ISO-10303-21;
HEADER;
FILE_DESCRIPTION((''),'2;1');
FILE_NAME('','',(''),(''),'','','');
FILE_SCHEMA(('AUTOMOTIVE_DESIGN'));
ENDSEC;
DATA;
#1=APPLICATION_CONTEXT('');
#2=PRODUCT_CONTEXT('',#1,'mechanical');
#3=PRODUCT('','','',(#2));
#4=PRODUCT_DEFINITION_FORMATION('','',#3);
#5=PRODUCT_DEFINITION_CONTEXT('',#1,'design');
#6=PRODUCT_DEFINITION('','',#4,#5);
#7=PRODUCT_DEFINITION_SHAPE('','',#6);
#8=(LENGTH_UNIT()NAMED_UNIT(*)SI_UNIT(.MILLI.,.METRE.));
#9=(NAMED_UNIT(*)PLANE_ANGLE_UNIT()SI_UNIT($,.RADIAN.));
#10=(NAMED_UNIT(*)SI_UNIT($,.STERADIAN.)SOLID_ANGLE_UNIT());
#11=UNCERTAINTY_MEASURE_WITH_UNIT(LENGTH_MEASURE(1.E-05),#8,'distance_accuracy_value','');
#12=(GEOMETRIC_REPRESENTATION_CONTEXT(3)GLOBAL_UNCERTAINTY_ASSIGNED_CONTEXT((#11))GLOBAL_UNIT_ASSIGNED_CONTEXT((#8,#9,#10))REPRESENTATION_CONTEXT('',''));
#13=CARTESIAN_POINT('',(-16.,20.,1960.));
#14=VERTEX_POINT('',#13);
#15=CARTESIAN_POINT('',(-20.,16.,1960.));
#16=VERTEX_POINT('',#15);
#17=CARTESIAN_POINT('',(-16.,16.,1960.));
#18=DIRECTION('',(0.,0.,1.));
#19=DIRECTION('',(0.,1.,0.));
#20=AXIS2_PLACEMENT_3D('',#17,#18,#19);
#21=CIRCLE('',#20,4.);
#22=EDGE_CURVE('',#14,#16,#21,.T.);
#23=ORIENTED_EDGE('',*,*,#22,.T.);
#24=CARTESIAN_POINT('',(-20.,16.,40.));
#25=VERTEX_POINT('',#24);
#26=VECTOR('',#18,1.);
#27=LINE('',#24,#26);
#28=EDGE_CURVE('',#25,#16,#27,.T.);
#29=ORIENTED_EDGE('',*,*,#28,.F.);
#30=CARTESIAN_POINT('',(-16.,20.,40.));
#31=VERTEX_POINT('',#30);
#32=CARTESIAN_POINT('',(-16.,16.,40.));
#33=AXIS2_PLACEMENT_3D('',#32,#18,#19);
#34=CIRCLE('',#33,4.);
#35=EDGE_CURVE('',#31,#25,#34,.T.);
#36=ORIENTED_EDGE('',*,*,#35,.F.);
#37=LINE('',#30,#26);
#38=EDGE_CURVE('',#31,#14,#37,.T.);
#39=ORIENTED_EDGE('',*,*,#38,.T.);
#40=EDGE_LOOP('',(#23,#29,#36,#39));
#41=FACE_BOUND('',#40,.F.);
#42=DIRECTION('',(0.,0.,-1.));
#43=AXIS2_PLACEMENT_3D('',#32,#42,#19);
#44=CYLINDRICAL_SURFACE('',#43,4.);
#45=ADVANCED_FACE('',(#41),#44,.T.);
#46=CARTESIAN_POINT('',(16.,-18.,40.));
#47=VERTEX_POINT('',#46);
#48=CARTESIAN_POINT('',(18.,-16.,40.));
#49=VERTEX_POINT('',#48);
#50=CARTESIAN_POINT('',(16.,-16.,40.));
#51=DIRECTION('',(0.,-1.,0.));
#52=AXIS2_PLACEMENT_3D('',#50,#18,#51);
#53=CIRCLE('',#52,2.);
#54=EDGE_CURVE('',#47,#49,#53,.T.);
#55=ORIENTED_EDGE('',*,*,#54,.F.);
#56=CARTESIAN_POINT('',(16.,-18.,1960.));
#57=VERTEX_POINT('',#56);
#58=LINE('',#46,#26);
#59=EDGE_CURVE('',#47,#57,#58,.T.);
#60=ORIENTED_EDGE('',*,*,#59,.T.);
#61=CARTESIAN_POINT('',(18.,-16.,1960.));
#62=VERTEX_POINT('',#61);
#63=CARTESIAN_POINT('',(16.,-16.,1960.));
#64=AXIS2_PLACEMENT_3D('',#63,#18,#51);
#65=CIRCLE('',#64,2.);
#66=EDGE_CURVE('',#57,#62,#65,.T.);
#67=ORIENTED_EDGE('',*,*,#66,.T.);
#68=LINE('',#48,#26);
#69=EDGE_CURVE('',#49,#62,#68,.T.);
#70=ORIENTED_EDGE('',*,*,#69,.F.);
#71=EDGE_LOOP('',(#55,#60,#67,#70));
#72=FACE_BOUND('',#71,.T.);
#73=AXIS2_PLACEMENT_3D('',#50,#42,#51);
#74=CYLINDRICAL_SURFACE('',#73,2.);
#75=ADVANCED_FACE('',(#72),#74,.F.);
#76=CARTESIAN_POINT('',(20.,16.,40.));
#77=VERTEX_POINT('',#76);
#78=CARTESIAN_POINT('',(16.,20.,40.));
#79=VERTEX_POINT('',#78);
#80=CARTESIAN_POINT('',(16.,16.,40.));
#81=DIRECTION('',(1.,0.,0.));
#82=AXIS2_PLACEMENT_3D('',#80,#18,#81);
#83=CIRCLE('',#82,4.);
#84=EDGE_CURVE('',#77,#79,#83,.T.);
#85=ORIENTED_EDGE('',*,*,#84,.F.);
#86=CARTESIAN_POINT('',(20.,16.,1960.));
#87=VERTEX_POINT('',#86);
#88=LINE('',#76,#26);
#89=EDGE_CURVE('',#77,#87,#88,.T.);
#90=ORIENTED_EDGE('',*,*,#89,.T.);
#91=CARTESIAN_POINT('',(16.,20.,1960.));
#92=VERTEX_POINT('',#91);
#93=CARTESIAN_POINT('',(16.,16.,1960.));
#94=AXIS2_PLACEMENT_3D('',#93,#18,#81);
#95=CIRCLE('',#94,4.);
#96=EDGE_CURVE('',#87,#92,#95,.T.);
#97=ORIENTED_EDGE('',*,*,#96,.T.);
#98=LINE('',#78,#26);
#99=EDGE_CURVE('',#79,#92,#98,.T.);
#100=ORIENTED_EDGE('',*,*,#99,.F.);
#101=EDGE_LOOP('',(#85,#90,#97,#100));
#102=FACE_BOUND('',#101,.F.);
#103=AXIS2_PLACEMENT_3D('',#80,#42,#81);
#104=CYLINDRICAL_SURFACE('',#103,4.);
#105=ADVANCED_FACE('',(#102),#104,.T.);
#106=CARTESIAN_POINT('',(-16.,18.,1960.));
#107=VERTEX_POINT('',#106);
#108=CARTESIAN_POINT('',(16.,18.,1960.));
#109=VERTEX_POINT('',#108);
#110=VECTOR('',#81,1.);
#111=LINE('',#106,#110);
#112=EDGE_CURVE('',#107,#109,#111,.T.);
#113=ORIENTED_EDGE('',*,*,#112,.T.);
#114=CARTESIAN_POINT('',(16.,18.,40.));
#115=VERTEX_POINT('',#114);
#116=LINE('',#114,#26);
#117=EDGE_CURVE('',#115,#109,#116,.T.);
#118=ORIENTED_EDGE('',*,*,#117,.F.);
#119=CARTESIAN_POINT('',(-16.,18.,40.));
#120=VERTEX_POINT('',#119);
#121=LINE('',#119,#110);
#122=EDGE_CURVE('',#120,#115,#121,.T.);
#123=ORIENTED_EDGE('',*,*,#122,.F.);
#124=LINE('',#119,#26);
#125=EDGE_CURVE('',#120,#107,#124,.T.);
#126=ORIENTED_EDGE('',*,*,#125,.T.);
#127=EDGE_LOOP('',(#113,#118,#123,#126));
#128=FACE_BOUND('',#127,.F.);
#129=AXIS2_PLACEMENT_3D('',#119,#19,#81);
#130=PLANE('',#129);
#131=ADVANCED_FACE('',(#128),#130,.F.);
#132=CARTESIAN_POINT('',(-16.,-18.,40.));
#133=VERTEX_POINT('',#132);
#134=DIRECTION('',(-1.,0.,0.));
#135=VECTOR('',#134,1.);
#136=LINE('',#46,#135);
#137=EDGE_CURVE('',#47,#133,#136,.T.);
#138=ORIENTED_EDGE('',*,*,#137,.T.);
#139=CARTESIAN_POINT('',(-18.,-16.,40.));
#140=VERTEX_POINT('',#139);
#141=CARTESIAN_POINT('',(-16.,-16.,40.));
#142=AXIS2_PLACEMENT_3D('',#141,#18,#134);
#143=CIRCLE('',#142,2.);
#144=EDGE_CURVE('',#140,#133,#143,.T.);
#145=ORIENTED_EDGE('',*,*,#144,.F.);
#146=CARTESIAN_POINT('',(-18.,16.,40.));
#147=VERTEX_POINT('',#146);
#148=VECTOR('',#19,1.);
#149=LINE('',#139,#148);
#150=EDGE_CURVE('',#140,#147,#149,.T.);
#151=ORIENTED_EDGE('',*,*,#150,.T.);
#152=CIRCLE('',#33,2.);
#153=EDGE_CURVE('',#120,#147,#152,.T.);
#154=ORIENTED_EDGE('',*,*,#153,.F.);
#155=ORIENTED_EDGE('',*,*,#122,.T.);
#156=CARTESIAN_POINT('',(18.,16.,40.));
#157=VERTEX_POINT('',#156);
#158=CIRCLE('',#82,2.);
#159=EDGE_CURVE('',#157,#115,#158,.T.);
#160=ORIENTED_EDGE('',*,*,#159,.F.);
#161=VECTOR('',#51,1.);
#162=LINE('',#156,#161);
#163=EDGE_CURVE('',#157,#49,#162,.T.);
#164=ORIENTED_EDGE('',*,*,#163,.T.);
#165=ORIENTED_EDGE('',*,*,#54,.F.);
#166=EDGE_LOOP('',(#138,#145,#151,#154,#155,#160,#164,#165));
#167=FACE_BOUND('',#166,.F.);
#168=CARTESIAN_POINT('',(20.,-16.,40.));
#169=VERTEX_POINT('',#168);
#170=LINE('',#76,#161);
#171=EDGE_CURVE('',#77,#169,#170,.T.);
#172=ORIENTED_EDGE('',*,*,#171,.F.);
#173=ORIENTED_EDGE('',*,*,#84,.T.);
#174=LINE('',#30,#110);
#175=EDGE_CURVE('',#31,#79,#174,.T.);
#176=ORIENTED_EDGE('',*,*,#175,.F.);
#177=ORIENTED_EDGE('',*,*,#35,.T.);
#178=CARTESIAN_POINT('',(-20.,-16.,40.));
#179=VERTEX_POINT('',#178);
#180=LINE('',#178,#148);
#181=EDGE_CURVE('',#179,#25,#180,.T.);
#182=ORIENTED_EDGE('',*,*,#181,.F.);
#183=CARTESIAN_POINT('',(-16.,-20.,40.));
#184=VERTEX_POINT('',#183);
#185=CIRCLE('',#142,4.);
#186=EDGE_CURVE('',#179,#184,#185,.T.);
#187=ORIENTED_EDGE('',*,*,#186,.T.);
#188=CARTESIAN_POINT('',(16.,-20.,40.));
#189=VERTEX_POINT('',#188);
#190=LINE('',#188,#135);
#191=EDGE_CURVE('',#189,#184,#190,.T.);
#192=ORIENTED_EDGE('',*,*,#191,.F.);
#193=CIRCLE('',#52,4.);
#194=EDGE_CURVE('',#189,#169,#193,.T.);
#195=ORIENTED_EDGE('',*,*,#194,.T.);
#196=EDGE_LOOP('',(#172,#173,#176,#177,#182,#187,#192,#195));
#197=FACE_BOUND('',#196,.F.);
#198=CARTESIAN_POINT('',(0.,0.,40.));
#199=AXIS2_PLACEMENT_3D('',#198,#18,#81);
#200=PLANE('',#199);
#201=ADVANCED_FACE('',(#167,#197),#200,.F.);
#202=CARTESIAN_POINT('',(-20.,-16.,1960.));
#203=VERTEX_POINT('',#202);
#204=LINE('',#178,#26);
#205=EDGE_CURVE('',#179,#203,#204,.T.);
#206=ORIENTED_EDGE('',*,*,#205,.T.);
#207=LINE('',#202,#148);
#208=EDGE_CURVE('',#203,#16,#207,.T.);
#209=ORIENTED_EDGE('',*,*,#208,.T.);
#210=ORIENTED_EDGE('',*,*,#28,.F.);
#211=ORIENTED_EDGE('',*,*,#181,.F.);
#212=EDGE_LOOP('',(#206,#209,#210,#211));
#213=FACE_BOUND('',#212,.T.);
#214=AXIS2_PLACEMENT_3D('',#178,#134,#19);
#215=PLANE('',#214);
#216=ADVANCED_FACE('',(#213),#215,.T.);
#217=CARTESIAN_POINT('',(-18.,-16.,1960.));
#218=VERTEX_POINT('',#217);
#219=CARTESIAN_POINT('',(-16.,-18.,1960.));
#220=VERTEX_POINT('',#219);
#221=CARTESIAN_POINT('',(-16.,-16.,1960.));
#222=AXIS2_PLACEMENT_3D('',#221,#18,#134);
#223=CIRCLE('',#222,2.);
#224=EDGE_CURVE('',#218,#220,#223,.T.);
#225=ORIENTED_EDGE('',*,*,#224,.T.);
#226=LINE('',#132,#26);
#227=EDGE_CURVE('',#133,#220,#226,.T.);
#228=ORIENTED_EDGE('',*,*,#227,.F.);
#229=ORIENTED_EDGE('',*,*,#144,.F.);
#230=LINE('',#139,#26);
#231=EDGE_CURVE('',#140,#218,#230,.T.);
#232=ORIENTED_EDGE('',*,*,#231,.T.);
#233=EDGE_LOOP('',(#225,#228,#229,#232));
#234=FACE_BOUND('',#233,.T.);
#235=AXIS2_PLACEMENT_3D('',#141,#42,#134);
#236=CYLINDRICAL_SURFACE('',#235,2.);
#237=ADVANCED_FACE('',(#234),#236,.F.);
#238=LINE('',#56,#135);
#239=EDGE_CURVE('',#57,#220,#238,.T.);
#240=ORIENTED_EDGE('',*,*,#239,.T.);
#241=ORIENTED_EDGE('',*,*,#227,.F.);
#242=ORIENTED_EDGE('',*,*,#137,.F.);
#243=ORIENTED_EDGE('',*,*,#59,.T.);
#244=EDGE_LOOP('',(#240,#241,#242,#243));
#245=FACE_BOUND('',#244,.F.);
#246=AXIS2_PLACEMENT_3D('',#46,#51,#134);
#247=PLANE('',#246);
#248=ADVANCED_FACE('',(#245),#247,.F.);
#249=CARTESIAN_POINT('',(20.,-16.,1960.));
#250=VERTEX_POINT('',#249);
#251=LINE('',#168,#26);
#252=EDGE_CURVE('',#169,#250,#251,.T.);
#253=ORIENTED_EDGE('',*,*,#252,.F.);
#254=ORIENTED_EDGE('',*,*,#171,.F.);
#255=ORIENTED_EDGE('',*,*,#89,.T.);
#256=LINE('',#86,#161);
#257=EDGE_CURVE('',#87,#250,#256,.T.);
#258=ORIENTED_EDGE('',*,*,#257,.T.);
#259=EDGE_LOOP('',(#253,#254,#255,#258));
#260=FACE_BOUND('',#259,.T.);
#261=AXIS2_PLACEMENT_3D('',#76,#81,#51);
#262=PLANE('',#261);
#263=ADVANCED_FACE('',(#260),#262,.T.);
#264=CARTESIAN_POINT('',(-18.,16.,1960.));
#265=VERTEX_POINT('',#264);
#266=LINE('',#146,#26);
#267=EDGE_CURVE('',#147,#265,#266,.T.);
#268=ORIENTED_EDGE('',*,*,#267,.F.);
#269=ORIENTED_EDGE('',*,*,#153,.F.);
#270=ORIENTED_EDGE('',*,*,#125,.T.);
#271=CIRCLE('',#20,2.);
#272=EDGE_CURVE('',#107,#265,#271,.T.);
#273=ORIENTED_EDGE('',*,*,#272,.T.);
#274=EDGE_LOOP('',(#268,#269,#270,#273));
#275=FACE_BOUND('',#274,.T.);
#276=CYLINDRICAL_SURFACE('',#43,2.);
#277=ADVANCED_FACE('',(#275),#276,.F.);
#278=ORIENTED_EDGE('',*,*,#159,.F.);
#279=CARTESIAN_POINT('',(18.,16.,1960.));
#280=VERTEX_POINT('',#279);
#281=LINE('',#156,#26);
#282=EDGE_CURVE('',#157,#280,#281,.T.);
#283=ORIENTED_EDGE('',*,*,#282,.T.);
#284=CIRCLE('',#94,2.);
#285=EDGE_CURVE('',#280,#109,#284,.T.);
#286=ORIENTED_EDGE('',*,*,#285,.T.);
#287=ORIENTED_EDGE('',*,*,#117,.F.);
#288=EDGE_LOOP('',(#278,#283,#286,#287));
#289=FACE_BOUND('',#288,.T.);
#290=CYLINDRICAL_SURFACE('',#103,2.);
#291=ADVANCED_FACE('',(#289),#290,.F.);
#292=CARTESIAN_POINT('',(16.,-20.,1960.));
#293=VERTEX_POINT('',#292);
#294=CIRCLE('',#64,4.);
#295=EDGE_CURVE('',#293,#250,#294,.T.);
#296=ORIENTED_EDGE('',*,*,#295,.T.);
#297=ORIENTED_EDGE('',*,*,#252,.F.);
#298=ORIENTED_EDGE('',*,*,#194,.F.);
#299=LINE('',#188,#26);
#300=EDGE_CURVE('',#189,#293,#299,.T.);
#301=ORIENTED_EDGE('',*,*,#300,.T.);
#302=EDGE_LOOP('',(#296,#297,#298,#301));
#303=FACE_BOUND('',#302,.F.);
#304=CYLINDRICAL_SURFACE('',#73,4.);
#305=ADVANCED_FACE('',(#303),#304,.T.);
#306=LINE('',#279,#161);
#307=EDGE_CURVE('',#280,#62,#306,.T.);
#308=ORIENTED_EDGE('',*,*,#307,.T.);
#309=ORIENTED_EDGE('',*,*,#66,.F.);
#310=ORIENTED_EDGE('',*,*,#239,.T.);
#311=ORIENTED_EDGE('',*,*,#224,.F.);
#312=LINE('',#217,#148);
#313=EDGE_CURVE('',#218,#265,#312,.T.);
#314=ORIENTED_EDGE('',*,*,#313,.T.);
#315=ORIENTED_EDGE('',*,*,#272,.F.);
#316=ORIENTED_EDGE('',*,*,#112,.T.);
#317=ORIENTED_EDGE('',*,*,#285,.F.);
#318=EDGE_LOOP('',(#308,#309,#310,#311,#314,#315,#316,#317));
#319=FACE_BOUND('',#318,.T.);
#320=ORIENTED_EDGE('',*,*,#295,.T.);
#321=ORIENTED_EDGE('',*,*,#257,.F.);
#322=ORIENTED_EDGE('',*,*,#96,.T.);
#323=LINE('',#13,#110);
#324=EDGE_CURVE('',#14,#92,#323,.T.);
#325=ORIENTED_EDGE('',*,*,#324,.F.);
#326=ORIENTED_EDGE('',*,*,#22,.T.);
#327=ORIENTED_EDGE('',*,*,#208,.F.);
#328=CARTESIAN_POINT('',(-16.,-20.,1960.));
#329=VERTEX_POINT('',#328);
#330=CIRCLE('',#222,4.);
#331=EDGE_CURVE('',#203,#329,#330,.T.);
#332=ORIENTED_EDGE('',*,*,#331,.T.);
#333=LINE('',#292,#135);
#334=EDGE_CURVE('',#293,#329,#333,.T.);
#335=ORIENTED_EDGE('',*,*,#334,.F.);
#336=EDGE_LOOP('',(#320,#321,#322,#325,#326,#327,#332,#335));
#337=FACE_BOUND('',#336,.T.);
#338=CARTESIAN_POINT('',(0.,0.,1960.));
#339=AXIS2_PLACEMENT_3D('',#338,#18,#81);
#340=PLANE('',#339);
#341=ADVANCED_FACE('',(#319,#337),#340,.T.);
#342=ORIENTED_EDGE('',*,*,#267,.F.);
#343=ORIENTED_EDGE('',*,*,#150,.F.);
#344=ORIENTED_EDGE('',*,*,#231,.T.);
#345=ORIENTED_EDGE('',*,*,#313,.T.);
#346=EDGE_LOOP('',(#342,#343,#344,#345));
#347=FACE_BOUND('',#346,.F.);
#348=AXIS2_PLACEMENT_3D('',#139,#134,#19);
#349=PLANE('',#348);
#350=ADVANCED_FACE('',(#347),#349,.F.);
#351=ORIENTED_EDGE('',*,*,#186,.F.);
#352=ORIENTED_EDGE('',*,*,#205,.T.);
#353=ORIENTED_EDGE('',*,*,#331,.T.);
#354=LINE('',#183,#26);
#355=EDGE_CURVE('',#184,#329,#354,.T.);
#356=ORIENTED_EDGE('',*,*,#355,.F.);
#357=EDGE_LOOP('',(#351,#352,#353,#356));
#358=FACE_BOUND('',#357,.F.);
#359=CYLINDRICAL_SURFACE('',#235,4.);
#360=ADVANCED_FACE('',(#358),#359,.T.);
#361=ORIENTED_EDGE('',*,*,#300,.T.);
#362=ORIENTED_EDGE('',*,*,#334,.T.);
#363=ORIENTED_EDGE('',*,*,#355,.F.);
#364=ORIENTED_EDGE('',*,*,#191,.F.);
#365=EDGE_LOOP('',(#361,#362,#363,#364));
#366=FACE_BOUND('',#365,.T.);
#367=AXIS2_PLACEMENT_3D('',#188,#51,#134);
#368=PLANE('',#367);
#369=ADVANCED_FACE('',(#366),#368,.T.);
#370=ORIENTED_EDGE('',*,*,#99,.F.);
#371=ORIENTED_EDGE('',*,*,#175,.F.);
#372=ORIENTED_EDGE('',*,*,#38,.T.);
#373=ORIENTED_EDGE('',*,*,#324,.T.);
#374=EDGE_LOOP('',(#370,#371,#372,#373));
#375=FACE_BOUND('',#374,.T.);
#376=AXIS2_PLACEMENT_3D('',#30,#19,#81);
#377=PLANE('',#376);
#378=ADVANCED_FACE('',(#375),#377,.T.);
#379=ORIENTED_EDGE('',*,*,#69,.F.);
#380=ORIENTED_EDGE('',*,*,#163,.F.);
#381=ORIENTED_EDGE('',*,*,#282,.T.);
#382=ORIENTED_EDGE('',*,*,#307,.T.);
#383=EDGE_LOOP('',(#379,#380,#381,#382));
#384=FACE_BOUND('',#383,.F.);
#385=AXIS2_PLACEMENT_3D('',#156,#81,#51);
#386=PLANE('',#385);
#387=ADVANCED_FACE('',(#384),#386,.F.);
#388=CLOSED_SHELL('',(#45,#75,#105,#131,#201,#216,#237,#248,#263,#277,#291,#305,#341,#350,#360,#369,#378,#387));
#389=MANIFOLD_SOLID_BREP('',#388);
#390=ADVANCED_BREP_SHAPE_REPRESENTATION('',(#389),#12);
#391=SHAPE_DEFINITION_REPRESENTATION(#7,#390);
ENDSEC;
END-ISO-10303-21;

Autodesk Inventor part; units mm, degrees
ref_plane "YZ Plane" through (0, 0, 0) normal (1, 0, 0) x (0, 1, 0)
ref_plane "Start Plane" through (0, 0, 40) normal (0, 0, 1) x (1, 0, 0)
ref_plane "End Plane" through (0, 0, 1960) normal (0, 0, 1) x (1, 0, 0)
sketch "Sketch" plane through (0, 0, 0) normal (0, 0, 1) x (1, 0, 0)
  line L0 (-20, -16) -> (-20, 16)
  line L1 (-16, 20) -> (16, 20)
  line L2 (20, 16) -> (20, -16)
  line L3 (16, -20) -> (-16, -20)
  arc A0 (-20, -16) -> (-16, -20) centre (-16, -16) ccw
  arc A1 (20, 16) -> (16, 20) centre (16, 16) ccw
  arc A2 (-16, 20) -> (-20, 16) centre (-16, 16) ccw
  arc A3 (16, -20) -> (20, -16) centre (16, -16) ccw
  arc A4 (-16, 18) -> (-18, 16) centre (-16, 16) ccw
  line L4 (-16, 18) -> (16, 18)
  arc A5 (18, 16) -> (16, 18) centre (16, 16) ccw
  line L5 (18, 16) -> (18, -16)
  arc A6 (16, -18) -> (18, -16) centre (16, -16) ccw
  line L6 (16, -18) -> (-16, -18)
  arc A7 (-18, -16) -> (-16, -18) centre (-16, -16) ccw
  line L7 (-18, -16) -> (-18, 16)
  line L8 (0, 29.1598) -> (0, -29.1598) construction
  line L9 (-29.1598, 0) -> (29.1598, 0) construction
  dimension "d7" = 4
  dimension "d9" = 40
  dimension "d11" = 40
  dimension "d12" = 2
  dimension "d15" = 20
  dimension "d16" = 20
extrude "Body" add sketch "Sketch" along normal up to surface (1920 mm away) from surface at 40
sketch "Sketch3" plane through (0, 0, 0) normal (0, 0, 1) x (1, 0, 0)
  line L0 (0, 0) -> (10, 0)
ref_plane "Work Plane3" through (0, 0, 0) normal (0, -1, 0) x (1, 0, 0)
sketch "Sketch4" plane through (0, 0, 0) normal (0, -1, 0) x (1, 0, 0)
  line L0 (-2, 40) -> (12, 40) projected
  line L1 (-2, 1960) -> (12, 1960) projected
  dimension "d18" = 1920
equation "\"d7\" = G_IR"
equation "\"d9\" = G_W"
equation "\"d11\" = G_H"
equation "\"d12\" = G_T"
equation "\"d15\" = 0.5 * d9"
equation "\"d16\" = 0.5 * d11"
equation "\"d3\" = G_L"
equation "\"G_W\" = 40"
equation "\"G_H\" = 40"
equation "\"G_T\" = 2"
equation "\"G_IR\" = 4"
equation "\"G_L\" = d18"
properties part number "ISO 4019 - 40x40x2 - 1920" material "Steel, Mild"
